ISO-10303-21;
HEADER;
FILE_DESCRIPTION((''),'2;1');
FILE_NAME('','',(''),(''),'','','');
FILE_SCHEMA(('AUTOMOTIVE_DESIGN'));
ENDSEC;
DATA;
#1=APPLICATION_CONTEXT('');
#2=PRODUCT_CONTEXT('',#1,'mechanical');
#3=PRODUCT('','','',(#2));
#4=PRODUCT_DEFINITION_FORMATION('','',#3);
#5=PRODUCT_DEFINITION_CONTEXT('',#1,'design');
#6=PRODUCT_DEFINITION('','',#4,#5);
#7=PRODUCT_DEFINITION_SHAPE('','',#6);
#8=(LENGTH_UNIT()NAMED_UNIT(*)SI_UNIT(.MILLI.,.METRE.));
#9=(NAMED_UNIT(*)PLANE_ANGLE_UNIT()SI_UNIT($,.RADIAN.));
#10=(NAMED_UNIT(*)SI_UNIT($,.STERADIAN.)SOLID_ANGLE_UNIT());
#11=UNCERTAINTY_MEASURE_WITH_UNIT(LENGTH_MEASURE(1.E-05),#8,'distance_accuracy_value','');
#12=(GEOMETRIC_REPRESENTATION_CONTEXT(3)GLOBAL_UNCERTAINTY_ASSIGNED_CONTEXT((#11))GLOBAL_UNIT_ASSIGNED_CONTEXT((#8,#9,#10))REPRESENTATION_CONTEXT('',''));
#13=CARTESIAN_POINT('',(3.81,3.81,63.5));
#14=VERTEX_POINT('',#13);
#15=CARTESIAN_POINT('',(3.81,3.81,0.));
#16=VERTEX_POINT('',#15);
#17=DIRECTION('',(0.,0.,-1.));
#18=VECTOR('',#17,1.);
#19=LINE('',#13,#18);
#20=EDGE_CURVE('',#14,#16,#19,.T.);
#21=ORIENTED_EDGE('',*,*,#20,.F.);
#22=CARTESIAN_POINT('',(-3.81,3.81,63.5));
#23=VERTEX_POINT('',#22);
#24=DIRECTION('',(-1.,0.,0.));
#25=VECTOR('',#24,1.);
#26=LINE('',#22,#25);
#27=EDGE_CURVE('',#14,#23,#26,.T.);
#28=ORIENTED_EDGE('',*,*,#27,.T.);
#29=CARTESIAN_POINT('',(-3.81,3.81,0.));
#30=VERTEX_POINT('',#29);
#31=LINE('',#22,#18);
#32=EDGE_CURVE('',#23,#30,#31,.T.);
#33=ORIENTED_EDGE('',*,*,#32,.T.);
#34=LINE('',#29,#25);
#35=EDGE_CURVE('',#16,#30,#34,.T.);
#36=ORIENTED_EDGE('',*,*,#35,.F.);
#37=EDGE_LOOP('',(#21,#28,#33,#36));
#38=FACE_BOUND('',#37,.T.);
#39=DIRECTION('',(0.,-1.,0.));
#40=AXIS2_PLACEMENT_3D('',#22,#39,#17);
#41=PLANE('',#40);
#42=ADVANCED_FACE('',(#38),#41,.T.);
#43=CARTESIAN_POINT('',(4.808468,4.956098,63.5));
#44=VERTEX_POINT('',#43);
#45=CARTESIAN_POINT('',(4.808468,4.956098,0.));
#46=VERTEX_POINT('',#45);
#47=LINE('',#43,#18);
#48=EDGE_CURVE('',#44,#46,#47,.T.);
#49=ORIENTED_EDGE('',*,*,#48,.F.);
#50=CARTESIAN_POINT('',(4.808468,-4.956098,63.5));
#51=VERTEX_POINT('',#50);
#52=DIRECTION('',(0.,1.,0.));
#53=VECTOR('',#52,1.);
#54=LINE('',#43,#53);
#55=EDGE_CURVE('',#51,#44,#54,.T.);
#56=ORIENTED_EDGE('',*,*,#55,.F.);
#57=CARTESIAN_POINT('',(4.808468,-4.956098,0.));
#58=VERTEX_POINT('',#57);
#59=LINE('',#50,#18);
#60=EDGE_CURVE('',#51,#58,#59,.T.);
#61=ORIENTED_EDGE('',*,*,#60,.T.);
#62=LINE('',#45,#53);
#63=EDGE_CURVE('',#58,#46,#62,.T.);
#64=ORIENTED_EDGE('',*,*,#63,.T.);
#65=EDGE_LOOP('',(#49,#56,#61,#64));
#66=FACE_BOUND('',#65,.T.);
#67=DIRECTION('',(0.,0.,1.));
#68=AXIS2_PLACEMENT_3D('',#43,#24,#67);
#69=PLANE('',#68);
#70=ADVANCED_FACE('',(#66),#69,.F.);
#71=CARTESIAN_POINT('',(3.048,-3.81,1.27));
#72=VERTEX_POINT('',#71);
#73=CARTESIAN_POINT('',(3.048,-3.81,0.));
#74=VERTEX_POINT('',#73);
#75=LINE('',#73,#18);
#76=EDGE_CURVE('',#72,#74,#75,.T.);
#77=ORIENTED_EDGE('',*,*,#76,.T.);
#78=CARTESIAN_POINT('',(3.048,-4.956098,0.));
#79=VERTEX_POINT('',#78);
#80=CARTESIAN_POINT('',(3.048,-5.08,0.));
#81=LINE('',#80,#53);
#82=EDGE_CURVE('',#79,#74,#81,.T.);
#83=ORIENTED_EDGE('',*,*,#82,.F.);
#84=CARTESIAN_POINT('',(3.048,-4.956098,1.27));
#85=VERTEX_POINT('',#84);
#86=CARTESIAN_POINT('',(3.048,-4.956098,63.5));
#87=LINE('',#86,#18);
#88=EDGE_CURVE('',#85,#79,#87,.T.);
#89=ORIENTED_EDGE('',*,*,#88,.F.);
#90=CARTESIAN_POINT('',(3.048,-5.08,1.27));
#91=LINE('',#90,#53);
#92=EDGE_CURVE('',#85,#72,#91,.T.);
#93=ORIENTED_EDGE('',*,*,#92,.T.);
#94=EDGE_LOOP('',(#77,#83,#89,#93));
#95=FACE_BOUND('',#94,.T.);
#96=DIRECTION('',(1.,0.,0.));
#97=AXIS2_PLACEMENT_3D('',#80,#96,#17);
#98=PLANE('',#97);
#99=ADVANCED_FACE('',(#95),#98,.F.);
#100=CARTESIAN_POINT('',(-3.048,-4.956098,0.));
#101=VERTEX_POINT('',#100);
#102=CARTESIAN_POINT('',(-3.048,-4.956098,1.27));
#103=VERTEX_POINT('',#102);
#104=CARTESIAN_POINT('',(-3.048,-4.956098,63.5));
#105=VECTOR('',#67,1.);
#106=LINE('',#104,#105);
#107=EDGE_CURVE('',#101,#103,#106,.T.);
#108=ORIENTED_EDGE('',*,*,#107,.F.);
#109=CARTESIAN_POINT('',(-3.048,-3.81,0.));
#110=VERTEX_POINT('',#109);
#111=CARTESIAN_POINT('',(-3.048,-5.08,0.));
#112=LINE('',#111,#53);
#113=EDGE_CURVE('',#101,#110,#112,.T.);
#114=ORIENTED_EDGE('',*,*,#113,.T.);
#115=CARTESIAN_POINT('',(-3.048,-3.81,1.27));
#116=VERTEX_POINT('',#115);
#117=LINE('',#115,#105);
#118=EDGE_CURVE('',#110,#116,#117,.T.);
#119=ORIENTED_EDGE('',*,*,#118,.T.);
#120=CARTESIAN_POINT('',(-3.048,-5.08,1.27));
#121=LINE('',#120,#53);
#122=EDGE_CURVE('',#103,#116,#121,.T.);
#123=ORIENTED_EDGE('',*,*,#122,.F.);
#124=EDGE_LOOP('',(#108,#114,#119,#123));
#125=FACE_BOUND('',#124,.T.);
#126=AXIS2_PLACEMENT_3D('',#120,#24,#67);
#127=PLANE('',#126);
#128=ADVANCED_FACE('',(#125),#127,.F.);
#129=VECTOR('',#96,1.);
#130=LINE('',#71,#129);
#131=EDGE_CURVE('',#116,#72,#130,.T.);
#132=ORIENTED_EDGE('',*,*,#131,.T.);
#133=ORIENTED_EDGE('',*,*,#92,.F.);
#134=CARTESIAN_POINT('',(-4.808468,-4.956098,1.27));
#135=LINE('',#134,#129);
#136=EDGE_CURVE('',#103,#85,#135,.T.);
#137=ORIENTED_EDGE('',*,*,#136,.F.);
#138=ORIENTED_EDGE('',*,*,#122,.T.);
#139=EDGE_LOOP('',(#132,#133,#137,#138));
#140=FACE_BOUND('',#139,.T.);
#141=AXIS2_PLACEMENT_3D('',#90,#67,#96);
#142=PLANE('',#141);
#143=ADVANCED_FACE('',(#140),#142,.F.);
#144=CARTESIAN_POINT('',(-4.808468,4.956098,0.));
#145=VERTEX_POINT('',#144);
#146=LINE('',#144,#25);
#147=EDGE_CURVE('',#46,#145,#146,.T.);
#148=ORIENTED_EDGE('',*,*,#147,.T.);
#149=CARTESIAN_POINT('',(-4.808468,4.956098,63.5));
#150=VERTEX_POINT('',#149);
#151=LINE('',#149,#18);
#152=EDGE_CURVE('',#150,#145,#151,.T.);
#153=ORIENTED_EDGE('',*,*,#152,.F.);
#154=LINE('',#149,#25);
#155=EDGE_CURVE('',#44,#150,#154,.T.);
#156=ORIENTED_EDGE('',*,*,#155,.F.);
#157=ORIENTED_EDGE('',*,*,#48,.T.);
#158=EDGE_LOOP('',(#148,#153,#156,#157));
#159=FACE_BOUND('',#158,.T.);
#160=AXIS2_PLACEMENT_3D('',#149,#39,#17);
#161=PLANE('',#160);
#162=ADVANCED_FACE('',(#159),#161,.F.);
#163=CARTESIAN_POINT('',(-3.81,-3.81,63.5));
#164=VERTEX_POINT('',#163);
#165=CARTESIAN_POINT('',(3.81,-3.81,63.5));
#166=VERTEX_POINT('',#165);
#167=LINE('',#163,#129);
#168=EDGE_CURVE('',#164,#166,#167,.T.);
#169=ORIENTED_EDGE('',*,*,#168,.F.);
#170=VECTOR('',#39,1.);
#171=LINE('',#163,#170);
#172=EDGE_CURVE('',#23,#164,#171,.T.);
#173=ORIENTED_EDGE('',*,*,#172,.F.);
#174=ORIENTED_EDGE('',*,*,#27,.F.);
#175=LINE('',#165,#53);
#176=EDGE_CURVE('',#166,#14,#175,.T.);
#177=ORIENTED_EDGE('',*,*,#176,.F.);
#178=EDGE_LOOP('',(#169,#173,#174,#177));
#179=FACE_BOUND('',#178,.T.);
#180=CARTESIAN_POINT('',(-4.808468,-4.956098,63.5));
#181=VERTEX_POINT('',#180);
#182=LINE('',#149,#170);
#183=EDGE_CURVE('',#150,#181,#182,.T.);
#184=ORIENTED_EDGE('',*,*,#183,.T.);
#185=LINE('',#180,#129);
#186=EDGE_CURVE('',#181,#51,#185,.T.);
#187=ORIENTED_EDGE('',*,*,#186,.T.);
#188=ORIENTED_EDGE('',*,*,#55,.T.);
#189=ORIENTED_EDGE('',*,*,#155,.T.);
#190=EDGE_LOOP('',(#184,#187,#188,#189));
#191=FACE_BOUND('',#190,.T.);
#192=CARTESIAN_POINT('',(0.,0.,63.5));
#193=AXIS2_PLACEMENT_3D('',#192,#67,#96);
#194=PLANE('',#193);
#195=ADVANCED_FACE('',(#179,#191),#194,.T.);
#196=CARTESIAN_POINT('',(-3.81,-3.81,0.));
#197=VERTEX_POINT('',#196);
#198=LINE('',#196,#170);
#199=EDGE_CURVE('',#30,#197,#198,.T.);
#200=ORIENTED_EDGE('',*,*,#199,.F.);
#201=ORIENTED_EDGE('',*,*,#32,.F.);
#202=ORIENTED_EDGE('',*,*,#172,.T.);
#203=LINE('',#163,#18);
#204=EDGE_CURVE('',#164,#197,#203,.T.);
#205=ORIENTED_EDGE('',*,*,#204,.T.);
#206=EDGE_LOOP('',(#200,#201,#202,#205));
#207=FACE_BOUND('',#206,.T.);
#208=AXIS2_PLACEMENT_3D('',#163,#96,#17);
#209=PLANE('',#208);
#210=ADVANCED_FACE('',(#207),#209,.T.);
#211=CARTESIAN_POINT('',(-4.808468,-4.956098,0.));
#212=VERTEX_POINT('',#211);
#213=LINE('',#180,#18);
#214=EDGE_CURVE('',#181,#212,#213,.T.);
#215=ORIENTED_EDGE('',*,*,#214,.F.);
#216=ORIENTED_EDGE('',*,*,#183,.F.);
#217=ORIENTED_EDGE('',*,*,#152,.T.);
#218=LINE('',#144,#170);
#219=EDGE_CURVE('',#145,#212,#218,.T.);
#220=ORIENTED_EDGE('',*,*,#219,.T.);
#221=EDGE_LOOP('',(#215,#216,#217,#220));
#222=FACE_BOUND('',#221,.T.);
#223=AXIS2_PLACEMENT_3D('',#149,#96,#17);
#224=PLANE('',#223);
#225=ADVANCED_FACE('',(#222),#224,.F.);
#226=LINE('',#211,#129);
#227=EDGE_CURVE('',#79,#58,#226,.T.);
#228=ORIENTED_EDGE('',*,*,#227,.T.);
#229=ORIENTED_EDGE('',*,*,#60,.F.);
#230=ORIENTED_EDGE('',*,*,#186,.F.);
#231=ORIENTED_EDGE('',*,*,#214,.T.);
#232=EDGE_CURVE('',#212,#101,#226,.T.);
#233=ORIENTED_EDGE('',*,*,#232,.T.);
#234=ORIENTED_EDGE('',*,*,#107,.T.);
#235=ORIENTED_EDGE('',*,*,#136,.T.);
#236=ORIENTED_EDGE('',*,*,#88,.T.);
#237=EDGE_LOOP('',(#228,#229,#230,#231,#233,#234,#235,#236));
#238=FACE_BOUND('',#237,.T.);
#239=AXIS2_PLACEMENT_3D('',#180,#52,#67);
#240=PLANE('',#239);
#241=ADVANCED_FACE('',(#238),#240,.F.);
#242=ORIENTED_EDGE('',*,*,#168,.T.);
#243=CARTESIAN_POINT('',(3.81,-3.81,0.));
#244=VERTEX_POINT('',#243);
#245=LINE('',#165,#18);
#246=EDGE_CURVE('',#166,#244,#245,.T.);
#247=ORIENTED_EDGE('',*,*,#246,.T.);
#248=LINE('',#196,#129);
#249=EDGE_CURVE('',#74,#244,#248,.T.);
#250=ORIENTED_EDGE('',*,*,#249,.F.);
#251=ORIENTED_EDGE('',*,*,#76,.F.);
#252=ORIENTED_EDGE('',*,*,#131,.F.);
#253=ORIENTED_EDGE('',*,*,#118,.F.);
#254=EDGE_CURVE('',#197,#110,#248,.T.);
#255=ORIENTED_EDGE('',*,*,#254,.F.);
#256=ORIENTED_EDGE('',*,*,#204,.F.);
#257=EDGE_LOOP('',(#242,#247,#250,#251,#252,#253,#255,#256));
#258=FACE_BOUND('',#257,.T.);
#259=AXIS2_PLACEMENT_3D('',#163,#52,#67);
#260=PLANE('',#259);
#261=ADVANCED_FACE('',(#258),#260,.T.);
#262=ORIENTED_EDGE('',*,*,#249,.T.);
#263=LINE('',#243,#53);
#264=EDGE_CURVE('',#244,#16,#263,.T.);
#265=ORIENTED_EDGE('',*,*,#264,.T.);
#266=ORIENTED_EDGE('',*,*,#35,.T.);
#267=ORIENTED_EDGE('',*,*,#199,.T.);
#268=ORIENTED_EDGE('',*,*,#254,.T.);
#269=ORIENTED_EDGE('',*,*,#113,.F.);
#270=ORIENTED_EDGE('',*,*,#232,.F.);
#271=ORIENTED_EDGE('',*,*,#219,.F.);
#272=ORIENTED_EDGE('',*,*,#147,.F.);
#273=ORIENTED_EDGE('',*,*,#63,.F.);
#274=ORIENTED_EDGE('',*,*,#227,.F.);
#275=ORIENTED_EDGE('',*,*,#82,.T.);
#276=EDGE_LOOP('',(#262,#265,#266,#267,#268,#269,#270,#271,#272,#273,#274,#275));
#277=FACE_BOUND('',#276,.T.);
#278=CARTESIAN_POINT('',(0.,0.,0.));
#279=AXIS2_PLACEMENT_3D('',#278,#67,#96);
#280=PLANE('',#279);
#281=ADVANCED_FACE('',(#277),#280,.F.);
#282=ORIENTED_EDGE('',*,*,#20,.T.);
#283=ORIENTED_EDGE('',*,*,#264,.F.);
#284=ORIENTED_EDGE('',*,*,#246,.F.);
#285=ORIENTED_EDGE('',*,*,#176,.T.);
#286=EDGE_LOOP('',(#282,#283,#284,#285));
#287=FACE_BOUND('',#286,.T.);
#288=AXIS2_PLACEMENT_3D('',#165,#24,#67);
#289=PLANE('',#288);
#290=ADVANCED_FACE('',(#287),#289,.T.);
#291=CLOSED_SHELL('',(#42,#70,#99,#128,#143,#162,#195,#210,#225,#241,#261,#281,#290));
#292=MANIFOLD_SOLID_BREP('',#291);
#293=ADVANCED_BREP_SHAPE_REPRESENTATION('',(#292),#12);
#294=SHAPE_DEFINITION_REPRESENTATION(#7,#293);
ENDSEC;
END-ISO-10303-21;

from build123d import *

# Parameters (mm, degrees)
SKETCH3_W           = 9.616935552
SKETCH3_H           = 9.912195066
SKETCH3_W_2         = 7.62
SKETCH3_H_2         = 7.62
BOSS_EXTRUDE2_DEPTH = 63.5
CUT_EXTRUDE1_DEPTH  = 1.27


with BuildPart() as part:
    # Sketch3 → Boss-Extrude2 (new body)
    with BuildSketch(Plane.XY):
        Rectangle(SKETCH3_W, SKETCH3_H)
        Rectangle(SKETCH3_W_2, SKETCH3_H_2, mode=Mode.SUBTRACT)
    extrude(amount=BOSS_EXTRUDE2_DEPTH)

    # Sketch6 → Cut-Extrude1 (cut)
    with BuildSketch(Plane(origin=(0, -3.81, 0), x_dir=(1, 0, 0), z_dir=(0, 1, 0))):
        Polygon((0, 0), (-3.048, 0), (-3.048, -1.27), (3.048, -1.27), (3.048, 0), align=None)
    extrude(amount=-CUT_EXTRUDE1_DEPTH, mode=Mode.SUBTRACT)


solid = part.part
